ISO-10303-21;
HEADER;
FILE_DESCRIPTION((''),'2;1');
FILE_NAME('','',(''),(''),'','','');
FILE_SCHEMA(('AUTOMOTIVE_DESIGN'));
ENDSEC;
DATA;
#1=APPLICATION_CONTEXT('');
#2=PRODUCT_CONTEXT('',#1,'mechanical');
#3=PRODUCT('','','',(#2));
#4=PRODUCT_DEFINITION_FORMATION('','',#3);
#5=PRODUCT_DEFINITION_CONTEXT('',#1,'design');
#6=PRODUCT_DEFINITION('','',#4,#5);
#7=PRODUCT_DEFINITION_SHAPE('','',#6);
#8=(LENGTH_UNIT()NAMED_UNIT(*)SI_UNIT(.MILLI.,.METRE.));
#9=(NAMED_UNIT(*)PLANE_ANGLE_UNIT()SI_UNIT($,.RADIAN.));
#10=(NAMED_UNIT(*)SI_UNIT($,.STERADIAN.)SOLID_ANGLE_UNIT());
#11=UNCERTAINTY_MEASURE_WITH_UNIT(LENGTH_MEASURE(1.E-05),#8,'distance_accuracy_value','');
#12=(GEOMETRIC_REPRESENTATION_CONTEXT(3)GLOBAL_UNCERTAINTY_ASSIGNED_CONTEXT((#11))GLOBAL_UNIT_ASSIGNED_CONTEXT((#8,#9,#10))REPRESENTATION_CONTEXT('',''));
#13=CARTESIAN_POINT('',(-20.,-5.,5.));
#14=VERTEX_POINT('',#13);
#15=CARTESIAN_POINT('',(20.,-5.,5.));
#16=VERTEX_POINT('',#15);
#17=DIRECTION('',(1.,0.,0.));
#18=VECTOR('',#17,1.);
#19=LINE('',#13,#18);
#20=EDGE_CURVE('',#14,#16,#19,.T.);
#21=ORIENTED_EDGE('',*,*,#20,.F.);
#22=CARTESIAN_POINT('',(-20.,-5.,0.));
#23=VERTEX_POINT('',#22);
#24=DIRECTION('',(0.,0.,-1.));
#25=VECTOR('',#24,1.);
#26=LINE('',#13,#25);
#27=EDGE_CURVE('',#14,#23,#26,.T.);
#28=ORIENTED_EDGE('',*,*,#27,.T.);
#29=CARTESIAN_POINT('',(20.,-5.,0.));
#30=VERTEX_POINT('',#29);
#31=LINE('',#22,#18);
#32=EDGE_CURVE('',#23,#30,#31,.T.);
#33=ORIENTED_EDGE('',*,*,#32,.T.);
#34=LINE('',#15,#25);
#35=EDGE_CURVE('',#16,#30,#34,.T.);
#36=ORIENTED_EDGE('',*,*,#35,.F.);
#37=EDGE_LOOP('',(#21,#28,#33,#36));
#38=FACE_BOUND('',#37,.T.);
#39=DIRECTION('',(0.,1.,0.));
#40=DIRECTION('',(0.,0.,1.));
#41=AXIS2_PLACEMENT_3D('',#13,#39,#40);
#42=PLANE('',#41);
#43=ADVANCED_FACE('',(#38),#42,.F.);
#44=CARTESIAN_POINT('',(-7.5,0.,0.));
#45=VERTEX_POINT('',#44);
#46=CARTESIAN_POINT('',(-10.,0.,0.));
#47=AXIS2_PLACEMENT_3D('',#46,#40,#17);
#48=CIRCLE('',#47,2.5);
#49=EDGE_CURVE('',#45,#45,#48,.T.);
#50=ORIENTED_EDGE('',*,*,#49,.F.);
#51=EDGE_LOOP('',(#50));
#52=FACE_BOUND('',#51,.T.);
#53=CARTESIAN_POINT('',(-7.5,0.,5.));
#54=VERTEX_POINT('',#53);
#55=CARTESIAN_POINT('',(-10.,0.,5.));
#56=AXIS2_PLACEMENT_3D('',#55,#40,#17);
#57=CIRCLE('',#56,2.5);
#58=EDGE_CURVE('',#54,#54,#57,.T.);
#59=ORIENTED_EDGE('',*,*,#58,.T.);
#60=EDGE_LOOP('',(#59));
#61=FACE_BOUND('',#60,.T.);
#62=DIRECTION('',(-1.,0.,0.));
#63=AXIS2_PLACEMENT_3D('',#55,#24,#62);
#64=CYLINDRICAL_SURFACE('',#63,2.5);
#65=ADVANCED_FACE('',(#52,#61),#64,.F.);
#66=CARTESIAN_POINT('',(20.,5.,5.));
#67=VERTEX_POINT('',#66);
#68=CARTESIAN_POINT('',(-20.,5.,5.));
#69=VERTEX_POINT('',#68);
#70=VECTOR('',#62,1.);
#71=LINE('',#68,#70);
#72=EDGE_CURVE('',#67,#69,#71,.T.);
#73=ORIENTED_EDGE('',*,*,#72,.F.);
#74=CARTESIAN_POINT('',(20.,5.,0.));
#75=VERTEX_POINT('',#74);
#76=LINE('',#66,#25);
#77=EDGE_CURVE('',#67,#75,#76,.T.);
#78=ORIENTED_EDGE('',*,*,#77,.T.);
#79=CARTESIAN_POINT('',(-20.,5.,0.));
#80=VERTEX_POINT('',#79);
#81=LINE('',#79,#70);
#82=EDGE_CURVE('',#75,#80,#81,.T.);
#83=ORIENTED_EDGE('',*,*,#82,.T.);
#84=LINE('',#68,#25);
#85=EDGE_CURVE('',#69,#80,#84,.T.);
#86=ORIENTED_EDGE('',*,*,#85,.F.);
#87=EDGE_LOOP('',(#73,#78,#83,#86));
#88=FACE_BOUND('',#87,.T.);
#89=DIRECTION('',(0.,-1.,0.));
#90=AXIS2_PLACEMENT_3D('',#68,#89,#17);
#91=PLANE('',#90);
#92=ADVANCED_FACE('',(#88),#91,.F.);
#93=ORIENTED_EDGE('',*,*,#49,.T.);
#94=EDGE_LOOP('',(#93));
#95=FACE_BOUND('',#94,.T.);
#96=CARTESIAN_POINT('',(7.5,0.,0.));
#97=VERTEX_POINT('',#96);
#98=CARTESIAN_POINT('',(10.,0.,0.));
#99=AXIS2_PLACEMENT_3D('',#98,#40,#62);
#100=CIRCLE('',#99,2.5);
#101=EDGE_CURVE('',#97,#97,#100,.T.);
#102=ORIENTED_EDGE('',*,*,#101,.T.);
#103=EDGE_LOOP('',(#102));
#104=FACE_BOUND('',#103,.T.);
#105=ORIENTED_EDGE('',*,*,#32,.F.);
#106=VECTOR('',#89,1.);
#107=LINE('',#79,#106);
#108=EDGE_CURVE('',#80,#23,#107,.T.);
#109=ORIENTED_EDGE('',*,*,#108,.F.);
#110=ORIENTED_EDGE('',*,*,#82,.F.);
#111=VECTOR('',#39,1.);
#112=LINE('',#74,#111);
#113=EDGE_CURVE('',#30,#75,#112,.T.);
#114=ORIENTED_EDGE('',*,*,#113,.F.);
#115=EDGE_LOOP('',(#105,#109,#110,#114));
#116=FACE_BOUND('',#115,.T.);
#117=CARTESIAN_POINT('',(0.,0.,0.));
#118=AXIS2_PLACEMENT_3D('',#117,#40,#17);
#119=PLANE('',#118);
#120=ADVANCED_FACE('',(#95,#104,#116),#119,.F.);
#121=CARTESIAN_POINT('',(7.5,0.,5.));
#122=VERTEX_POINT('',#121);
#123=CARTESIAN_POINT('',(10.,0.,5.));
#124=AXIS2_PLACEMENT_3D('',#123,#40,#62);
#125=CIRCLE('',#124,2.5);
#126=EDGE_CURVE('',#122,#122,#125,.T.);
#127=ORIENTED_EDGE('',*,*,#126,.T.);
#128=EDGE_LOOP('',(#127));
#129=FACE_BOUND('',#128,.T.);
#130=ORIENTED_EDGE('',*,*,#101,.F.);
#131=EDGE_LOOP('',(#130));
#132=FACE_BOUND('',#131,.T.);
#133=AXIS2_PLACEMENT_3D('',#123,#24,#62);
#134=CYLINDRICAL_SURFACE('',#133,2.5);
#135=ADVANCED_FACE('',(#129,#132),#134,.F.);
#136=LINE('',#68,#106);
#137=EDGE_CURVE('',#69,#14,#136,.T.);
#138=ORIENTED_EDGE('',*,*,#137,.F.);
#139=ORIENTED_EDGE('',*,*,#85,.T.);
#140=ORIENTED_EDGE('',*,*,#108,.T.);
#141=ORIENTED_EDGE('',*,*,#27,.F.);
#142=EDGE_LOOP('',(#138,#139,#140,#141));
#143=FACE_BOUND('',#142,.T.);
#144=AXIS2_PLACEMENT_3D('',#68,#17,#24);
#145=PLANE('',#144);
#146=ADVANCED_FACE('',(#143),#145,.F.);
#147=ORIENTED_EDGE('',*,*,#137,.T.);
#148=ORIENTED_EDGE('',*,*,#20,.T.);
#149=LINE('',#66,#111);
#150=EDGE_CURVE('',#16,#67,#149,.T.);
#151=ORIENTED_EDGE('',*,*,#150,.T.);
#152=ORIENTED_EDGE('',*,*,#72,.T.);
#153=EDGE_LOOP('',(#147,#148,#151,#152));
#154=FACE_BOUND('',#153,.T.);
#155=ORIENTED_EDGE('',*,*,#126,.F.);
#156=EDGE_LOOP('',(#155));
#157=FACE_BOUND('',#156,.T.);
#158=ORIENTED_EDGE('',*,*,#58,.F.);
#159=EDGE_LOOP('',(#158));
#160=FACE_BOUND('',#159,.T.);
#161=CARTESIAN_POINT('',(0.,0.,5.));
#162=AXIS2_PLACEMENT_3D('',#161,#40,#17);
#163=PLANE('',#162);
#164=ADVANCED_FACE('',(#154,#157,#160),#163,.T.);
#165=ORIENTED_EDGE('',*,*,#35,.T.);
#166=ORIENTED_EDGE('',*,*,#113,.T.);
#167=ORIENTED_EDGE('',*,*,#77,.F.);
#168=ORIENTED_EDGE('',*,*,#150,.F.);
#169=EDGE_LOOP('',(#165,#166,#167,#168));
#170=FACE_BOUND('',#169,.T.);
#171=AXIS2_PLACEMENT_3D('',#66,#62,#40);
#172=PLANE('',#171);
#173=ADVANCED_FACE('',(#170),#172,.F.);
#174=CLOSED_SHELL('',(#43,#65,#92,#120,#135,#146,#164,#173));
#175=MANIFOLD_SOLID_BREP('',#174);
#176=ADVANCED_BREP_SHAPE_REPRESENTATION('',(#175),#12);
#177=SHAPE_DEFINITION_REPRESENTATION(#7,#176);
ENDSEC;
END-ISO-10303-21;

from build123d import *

# Parameters (mm, degrees)
SKETCH1_W           = 40
SKETCH1_H           = 10
SKETCH1_R           = 2.5
BOSS_EXTRUDE1_DEPTH = 5


with BuildPart() as part:
    # Sketch1 → Boss-Extrude1 (new body)
    with BuildSketch(Plane.XY):
        Rectangle(SKETCH1_W, SKETCH1_H)
        with Locations((-10, 0)):
            Circle(SKETCH1_R, mode=Mode.SUBTRACT)
        with Locations((10, 0)):
            Circle(SKETCH1_R, mode=Mode.SUBTRACT)
    extrude(amount=BOSS_EXTRUDE1_DEPTH)


solid = part.part
